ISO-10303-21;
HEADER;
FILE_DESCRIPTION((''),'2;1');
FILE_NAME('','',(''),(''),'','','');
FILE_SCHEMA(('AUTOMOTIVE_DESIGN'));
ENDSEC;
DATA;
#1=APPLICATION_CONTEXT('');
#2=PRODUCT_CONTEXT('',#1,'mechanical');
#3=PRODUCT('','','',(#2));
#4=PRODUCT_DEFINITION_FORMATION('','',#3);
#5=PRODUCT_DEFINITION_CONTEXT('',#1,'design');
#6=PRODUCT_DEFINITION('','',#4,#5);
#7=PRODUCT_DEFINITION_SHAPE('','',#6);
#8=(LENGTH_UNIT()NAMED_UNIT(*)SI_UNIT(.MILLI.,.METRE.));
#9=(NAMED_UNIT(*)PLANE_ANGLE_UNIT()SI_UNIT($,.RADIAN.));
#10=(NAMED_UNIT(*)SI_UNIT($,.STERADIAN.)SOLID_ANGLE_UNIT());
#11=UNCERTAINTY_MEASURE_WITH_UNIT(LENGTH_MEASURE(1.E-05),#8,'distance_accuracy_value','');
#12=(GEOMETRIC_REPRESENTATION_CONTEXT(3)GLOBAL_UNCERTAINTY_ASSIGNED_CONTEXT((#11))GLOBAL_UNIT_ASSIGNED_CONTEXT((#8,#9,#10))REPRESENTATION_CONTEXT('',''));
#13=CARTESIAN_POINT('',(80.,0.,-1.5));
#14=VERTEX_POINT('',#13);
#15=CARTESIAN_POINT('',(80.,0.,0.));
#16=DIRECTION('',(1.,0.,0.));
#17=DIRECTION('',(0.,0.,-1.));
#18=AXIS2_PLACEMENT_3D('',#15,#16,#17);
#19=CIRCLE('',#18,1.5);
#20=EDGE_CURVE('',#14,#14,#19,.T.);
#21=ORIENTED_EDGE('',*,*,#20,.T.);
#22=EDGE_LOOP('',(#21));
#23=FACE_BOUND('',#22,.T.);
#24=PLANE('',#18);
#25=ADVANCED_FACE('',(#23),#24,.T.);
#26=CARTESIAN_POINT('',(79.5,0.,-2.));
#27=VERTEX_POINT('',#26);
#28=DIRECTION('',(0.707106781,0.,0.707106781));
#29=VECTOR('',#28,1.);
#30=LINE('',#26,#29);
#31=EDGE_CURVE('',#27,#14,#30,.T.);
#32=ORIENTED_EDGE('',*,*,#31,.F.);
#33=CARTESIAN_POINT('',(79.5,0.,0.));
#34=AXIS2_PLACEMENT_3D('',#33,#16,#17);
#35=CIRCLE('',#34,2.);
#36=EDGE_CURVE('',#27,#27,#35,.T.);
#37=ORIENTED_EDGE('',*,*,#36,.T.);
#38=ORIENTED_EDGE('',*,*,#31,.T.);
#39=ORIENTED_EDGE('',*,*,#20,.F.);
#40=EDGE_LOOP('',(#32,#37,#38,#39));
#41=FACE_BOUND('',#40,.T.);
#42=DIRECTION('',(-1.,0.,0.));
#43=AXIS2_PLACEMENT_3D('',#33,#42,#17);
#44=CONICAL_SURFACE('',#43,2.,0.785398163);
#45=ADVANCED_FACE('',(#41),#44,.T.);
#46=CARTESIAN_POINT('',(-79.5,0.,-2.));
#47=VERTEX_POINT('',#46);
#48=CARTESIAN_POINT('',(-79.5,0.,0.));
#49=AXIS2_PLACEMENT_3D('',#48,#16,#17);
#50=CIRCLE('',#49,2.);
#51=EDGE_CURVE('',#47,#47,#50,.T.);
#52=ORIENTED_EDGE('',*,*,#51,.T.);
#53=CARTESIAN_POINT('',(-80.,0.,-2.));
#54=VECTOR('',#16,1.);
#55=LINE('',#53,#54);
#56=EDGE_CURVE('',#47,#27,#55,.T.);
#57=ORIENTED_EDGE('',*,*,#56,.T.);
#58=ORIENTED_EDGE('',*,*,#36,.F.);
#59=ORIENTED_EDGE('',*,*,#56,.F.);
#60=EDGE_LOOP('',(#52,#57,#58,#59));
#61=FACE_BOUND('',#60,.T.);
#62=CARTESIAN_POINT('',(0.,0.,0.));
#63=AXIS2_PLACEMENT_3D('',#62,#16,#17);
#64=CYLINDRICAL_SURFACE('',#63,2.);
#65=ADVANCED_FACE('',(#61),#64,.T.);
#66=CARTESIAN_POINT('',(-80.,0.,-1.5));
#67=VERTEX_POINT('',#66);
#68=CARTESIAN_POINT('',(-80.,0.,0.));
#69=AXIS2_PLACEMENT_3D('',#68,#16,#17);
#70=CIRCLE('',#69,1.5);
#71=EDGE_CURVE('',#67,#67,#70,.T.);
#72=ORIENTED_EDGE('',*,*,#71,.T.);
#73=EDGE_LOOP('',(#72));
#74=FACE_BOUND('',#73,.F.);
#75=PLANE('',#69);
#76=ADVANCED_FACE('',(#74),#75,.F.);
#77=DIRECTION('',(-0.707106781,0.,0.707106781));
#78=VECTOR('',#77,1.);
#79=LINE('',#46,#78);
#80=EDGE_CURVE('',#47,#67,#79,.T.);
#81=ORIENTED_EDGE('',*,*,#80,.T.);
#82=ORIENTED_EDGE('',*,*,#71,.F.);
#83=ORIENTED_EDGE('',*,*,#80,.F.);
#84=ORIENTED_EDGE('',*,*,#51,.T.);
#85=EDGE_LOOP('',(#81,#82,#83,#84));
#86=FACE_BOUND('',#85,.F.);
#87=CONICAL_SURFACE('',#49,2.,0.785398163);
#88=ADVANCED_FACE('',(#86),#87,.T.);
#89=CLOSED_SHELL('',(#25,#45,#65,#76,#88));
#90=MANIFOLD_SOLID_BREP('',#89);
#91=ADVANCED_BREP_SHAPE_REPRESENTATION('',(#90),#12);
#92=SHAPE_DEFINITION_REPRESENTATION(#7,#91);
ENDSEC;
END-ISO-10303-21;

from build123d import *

# Parameters (mm, degrees)
SKETCH1_R           = 2
BOSS_EXTRUDE1_DEPTH = 80
CHAMFER1_SIZE       = 0.5


with BuildPart() as part:
    # Sketch1 → Boss-Extrude1 (new body, symmetric)
    with BuildSketch(Plane(origin=(0, 0, 0), x_dir=(0, 0, -1), z_dir=(1, 0, 0))):
        Circle(SKETCH1_R)
    extrude(amount=BOSS_EXTRUDE1_DEPTH, both=True)

    # Chamfer1
    chamfer1_edges = [part.edges().sort_by_distance(p)[0] for p in [
        (-80, 0, 2),
        (80, 0, 2),
    ]]
    chamfer(chamfer1_edges, length=CHAMFER1_SIZE)


solid = part.part
